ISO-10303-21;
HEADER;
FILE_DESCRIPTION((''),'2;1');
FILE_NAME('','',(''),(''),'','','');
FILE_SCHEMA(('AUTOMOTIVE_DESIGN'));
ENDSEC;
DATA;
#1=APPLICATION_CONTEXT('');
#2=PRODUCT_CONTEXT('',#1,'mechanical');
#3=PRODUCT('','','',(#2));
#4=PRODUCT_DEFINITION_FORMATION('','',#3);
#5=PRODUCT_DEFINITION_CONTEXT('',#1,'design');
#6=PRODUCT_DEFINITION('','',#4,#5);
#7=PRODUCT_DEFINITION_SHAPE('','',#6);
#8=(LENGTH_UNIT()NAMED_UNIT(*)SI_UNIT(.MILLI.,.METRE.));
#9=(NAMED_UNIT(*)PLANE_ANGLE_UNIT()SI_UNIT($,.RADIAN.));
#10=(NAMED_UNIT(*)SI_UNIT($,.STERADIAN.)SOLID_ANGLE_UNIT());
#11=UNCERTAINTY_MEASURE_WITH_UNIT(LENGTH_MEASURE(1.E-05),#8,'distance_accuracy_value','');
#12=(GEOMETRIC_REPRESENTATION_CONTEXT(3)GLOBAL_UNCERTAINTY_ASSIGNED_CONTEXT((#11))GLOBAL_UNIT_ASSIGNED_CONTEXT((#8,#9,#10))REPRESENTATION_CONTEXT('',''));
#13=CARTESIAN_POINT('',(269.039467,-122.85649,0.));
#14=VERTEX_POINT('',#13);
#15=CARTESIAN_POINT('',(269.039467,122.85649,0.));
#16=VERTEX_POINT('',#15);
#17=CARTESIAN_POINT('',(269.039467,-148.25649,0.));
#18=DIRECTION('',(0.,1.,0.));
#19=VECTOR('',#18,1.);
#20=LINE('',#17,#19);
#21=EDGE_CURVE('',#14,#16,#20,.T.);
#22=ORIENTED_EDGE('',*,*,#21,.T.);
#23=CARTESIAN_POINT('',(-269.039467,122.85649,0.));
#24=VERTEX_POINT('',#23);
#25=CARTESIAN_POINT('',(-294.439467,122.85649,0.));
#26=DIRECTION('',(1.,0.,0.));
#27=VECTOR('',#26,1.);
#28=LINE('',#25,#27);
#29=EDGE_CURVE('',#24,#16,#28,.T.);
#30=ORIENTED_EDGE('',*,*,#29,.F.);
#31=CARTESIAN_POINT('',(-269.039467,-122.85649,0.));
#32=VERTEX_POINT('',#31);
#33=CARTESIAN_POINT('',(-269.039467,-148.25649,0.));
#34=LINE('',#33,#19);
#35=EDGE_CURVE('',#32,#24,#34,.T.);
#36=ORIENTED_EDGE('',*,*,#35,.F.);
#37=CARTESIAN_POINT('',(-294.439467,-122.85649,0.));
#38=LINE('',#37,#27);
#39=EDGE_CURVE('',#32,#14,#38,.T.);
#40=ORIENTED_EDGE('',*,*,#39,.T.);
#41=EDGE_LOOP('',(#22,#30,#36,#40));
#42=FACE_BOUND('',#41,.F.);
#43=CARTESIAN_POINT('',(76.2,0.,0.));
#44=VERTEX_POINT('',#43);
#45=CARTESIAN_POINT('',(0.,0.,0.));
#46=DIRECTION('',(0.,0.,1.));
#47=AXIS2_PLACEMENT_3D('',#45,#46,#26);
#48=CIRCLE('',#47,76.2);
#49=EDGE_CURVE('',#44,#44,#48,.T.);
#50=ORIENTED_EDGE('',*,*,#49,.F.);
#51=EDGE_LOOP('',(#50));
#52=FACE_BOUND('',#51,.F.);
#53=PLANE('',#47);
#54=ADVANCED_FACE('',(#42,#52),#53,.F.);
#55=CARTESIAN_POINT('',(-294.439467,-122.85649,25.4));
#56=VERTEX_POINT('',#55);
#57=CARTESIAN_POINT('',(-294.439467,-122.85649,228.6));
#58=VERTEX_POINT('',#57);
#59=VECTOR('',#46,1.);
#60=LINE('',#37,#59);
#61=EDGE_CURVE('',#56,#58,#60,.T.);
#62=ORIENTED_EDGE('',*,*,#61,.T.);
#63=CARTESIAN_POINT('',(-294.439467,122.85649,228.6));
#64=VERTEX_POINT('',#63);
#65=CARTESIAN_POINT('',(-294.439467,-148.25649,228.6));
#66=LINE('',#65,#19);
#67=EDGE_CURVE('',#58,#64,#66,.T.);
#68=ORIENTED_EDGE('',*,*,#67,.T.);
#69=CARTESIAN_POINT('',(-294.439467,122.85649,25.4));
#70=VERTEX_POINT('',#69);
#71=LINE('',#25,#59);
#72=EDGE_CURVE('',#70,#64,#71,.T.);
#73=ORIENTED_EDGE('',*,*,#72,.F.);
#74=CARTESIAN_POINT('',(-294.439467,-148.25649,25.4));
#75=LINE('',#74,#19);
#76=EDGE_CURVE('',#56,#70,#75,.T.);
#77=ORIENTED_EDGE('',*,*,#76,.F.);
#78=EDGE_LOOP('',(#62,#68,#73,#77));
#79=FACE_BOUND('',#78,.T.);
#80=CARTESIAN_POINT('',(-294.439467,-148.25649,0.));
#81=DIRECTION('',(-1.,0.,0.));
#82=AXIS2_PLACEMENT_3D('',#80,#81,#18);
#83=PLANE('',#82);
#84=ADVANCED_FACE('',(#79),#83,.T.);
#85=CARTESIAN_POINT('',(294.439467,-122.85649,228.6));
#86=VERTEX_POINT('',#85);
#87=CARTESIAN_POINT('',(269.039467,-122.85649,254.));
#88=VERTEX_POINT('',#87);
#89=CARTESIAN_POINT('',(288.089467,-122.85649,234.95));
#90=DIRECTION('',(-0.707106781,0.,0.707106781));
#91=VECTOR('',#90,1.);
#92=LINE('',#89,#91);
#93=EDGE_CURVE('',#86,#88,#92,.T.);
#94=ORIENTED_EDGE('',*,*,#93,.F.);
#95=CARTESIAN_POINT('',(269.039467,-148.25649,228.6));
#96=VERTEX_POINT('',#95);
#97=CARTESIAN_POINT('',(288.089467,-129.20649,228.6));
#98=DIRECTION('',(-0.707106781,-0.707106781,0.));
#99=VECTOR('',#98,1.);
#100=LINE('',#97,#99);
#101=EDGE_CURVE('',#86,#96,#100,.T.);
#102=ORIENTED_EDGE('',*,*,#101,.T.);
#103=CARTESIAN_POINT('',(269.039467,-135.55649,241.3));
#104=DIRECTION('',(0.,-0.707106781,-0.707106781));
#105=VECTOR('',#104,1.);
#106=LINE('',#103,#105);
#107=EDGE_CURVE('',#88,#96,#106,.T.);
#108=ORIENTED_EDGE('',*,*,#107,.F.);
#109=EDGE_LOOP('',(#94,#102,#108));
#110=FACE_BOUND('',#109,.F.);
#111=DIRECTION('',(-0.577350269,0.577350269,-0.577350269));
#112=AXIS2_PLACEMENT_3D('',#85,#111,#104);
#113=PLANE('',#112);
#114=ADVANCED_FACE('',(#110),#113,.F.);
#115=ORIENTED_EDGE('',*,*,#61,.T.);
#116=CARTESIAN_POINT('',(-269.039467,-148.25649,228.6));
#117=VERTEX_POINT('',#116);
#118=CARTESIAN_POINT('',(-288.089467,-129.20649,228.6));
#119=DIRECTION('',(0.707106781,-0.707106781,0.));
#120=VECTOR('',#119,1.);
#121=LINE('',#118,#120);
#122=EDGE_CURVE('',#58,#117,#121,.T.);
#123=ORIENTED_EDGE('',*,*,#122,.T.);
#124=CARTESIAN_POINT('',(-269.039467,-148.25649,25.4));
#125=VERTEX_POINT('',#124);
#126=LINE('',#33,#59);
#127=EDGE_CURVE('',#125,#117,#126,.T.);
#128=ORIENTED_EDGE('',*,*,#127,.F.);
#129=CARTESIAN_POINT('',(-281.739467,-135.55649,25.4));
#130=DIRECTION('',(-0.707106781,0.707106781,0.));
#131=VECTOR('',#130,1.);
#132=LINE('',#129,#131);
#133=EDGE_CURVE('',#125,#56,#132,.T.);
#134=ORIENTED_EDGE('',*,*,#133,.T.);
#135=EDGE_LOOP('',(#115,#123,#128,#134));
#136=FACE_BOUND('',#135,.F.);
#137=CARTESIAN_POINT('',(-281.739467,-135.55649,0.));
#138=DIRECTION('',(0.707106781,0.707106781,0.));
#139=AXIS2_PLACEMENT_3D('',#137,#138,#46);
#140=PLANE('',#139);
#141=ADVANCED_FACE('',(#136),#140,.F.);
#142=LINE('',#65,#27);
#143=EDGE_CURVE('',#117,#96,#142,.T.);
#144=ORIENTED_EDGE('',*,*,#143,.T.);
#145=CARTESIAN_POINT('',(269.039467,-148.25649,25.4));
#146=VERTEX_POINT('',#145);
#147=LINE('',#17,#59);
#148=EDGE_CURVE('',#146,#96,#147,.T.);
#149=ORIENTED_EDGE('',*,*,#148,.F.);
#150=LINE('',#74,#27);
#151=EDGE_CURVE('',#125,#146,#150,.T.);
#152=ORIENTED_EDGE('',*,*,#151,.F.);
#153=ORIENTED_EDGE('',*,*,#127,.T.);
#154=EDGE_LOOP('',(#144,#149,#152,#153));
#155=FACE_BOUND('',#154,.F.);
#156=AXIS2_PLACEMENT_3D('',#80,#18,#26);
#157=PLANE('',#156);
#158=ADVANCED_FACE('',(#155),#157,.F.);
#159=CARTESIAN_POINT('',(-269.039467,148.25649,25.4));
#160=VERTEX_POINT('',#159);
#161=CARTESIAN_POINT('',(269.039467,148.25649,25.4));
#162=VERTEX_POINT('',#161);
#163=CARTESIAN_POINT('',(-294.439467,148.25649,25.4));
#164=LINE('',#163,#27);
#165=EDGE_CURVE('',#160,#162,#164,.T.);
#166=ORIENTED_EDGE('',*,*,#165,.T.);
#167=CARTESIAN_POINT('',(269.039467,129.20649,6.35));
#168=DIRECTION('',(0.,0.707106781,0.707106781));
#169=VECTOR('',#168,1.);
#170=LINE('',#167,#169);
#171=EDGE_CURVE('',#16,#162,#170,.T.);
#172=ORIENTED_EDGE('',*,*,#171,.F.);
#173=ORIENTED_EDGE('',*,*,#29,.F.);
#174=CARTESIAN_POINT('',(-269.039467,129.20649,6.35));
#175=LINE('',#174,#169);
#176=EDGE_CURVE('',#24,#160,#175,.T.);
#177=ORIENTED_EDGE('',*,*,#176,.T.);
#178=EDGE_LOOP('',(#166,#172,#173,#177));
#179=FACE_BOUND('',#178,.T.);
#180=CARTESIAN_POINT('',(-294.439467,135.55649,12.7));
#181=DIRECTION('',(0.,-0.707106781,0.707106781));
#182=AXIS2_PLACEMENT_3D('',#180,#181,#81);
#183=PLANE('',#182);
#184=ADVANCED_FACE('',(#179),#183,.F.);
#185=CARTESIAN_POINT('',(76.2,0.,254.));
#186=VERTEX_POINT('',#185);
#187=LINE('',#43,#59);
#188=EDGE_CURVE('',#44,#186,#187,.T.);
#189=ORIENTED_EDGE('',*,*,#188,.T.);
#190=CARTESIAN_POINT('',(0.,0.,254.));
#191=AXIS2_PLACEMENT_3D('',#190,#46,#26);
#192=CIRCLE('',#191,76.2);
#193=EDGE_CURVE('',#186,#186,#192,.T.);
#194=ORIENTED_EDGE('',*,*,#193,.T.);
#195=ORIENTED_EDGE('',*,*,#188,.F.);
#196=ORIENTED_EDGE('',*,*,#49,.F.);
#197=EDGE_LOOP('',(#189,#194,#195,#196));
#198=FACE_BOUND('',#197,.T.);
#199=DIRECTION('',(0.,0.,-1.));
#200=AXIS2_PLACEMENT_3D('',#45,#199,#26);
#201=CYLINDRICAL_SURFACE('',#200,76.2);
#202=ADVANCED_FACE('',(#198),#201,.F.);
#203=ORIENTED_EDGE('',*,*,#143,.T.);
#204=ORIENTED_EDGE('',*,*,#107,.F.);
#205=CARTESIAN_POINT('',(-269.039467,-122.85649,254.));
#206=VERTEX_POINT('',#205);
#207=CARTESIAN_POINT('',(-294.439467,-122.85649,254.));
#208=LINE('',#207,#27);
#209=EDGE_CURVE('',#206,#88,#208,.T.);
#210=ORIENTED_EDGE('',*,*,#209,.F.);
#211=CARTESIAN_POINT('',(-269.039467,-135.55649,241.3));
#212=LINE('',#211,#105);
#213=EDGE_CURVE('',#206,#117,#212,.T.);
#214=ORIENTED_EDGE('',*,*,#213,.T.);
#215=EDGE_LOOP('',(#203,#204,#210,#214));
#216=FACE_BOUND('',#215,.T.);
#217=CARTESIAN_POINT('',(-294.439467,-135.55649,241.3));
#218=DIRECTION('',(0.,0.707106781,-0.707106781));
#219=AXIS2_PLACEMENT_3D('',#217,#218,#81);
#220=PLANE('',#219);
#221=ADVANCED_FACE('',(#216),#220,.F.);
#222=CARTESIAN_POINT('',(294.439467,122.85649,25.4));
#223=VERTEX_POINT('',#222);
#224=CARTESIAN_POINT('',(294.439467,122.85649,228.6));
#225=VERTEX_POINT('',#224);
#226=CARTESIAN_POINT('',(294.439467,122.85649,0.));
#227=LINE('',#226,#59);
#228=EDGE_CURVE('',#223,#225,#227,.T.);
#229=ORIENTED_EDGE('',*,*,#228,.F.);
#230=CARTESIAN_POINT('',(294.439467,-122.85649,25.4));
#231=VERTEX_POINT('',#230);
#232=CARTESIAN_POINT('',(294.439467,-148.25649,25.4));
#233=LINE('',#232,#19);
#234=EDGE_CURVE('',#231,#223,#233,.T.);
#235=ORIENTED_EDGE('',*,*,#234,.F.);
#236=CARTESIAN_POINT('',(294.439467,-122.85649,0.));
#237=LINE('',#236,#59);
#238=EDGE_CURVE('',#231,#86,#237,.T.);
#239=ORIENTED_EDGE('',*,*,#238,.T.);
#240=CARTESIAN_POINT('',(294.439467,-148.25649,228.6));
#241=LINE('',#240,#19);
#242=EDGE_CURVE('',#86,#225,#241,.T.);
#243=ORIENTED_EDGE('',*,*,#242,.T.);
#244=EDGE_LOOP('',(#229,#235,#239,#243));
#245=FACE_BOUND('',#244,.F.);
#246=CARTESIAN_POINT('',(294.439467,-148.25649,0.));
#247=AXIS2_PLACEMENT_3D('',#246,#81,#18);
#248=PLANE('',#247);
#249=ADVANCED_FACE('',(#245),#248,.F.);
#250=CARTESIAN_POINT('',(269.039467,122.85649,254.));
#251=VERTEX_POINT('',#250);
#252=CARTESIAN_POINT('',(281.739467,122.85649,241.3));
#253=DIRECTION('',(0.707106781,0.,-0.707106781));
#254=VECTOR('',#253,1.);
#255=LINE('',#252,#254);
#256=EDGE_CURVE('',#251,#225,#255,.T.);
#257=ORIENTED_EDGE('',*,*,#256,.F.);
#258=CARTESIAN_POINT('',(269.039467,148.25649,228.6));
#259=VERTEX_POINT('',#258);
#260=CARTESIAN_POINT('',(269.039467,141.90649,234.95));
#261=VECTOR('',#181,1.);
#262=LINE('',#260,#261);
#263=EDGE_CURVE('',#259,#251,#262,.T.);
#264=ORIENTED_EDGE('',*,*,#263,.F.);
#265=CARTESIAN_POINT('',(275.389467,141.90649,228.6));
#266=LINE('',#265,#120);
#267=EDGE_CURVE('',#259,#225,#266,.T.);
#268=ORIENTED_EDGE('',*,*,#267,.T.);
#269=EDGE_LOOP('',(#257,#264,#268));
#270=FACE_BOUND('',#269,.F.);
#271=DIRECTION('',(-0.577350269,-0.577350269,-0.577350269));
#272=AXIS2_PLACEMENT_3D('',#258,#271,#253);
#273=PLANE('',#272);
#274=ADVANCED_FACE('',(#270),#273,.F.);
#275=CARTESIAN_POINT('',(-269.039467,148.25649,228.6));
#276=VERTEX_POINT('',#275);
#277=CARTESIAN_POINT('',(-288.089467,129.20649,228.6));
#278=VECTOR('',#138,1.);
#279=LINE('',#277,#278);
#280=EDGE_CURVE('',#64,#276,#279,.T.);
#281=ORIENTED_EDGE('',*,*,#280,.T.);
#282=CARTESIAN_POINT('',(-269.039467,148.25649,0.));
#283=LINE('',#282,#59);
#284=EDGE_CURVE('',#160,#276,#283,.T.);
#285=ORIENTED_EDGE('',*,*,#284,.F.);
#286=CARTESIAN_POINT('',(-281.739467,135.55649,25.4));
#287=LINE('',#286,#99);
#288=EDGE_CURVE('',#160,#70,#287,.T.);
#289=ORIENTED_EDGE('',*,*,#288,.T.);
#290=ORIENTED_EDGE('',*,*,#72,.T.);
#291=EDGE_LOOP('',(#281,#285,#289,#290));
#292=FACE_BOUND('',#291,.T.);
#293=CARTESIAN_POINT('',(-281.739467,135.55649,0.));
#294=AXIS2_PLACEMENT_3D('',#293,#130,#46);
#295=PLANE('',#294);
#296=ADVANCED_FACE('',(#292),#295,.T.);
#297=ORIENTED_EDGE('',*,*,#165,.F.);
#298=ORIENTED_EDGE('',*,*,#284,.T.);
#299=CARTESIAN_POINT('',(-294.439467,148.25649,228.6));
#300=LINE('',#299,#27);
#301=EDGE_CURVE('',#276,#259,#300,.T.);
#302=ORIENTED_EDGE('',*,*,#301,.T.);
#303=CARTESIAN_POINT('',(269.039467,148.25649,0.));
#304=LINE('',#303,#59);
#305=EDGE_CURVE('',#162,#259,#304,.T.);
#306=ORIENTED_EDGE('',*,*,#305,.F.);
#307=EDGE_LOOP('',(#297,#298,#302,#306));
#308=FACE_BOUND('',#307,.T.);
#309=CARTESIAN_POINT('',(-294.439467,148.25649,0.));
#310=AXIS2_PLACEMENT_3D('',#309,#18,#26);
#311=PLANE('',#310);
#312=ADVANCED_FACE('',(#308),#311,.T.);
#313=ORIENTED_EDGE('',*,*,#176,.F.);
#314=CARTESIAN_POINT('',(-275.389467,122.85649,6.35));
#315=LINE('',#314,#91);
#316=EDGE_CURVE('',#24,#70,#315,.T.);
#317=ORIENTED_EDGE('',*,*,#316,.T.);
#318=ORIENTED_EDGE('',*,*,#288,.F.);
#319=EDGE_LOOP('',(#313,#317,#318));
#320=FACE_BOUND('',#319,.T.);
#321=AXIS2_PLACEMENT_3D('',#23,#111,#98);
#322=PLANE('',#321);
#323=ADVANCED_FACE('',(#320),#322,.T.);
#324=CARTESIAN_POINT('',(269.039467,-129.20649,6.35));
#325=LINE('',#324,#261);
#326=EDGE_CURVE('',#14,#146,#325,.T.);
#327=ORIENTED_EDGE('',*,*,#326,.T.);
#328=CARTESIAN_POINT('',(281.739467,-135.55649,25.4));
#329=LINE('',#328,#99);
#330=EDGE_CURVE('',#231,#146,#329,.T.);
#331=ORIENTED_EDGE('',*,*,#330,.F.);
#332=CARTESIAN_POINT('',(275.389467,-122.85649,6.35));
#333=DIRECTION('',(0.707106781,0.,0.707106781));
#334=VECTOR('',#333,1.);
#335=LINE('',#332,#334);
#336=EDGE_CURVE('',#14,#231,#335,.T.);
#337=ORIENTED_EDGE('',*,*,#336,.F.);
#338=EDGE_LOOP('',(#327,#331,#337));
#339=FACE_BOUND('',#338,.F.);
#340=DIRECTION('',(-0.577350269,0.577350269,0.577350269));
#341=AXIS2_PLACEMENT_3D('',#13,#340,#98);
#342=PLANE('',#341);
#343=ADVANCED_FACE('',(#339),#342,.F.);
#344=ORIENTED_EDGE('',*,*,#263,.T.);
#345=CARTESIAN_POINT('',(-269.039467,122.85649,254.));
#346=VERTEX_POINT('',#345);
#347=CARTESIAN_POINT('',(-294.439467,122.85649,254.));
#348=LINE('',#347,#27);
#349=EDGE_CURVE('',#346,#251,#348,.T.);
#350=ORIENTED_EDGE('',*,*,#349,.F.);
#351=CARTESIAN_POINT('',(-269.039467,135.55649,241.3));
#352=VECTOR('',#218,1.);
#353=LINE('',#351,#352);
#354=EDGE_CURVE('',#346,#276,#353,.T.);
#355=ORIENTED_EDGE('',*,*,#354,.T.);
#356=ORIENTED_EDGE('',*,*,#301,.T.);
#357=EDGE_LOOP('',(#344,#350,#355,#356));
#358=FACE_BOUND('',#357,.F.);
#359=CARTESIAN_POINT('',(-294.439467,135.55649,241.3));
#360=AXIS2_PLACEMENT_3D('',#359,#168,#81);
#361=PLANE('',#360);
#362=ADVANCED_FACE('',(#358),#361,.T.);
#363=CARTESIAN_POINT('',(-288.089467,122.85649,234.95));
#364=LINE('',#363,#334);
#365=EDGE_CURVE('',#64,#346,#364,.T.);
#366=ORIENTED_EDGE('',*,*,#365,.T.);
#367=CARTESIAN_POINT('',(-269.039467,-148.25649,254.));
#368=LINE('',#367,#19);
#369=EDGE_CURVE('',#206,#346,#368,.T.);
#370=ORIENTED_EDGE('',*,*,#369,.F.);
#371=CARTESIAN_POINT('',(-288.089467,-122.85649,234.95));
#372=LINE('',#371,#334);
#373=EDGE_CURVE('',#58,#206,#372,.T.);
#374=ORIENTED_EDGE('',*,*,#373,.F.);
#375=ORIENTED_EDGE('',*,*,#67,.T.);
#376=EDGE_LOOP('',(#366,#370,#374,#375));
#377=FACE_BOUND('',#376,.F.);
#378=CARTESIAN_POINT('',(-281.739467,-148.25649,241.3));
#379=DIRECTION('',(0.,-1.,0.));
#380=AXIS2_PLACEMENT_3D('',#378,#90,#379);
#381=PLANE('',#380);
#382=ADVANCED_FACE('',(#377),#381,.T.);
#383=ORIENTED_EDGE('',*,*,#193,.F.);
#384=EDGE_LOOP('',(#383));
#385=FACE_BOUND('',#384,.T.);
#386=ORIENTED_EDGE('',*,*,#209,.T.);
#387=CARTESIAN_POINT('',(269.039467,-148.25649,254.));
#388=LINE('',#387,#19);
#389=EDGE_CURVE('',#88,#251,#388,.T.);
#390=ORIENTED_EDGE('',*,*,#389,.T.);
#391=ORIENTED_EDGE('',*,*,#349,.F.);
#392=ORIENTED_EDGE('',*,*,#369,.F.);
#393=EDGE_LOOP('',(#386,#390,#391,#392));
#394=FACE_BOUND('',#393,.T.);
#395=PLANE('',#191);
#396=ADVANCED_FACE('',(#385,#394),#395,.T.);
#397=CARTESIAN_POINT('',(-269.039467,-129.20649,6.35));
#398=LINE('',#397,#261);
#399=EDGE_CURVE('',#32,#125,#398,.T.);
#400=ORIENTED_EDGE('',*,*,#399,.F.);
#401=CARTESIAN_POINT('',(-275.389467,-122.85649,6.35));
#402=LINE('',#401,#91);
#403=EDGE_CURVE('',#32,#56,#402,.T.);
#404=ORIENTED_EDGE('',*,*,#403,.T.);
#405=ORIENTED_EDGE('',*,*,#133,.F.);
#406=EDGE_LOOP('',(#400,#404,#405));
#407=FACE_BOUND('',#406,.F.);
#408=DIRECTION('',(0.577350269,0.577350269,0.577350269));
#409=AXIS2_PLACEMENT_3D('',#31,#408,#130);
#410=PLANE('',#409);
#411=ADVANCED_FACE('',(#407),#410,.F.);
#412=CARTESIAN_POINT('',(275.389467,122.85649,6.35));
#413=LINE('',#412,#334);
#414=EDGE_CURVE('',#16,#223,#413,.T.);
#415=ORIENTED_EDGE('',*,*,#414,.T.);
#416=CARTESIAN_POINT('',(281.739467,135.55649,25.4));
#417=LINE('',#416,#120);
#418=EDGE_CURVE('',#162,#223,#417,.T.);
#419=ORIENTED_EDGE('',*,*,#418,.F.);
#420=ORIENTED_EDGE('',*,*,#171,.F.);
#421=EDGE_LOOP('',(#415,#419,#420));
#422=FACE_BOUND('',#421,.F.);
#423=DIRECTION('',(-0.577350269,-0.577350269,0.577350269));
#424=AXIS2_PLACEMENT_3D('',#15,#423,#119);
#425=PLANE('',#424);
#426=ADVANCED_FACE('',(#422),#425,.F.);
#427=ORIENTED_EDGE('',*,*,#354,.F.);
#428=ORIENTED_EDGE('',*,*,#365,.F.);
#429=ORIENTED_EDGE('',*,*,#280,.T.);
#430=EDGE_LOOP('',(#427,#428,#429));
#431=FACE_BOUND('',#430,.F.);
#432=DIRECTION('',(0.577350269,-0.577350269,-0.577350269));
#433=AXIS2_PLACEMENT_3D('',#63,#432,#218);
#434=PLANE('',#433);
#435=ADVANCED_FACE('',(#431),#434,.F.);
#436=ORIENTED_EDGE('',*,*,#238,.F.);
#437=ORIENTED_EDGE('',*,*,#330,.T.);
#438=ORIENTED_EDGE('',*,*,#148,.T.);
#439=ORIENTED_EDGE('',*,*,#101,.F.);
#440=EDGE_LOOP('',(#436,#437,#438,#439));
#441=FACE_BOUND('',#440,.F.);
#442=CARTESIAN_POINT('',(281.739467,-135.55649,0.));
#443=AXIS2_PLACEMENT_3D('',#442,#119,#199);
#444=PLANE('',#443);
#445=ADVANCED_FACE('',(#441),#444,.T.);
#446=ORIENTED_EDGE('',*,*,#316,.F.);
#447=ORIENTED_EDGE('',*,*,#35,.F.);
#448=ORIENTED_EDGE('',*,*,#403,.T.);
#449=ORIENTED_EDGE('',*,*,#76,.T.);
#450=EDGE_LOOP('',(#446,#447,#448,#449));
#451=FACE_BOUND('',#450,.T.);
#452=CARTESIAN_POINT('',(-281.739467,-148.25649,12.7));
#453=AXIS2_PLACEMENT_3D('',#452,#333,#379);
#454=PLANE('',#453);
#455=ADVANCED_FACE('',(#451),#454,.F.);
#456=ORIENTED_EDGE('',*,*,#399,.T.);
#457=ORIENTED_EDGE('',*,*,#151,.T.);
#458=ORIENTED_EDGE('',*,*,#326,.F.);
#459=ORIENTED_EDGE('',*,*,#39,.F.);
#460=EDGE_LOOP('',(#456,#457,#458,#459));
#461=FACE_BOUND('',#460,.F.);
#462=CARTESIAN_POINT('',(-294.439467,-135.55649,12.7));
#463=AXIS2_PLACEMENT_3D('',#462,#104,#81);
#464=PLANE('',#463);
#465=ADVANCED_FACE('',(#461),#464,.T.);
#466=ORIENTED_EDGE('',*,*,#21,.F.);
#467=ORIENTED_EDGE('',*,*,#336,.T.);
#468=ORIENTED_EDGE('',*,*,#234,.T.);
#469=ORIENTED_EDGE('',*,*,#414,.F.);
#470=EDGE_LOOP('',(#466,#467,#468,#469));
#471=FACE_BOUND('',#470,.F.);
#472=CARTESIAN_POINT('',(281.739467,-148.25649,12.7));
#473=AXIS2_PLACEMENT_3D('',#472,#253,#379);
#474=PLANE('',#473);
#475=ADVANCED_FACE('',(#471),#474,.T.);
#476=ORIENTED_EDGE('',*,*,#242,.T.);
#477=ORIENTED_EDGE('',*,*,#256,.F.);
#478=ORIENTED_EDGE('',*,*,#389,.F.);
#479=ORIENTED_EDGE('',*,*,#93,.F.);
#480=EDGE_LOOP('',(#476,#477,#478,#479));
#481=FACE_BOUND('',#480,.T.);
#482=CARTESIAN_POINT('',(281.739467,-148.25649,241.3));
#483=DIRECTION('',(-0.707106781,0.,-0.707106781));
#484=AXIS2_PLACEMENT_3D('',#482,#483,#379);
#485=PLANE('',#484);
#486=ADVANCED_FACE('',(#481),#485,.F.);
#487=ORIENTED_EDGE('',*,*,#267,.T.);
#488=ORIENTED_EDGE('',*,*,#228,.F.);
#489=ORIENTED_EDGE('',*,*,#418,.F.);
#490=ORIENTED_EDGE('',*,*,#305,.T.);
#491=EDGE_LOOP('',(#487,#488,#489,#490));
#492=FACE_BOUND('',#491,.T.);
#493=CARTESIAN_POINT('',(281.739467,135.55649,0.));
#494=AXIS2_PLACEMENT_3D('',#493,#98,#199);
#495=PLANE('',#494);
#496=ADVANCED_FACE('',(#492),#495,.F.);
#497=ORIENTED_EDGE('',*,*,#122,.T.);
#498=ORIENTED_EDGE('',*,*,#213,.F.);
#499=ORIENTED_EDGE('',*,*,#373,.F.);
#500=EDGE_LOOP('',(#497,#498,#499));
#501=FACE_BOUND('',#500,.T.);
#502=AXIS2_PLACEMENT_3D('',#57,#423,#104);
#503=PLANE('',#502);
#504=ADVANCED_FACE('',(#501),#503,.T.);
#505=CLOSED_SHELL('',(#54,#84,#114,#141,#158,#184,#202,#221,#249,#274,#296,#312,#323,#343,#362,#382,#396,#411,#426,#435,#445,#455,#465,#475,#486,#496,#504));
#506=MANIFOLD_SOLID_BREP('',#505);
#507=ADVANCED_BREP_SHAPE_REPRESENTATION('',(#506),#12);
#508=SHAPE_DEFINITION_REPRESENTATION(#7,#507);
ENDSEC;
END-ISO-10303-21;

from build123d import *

# Parameters (mm, degrees)
F0_W     = 588.878934
F0_H     = 296.51298
F0_R     = 76.2
F1_DEPTH = 254
F2_SIZE  = 25.4


with BuildPart() as f1:
    # F0 (on Top) → F1 (new body)
    with BuildSketch(Plane.XY):
        Rectangle(F0_W, F0_H)
        Circle(F0_R, mode=Mode.SUBTRACT)
    extrude(amount=F1_DEPTH)

    # F2
    f2_edges = [f1.edges().sort_by_distance(p)[0] for p in [
        (0, -148.25649, 254),
        (294.439467, 0, 254),
        (0, 148.25649, 254),
        (-294.439467, 0, 254),
        (294.439467, 148.25649, 127),
        (294.439467, -148.25649, 127),
        (-294.439467, -148.25649, 127),
        (-294.439467, 148.25649, 127),
        (0, 148.25649, 0),
        (294.439467, 0, 0),
        (0, -148.25649, 0),
        (-294.439467, 0, 0),
    ]]
    chamfer(f2_edges, length=F2_SIZE)


solid = f1.part
